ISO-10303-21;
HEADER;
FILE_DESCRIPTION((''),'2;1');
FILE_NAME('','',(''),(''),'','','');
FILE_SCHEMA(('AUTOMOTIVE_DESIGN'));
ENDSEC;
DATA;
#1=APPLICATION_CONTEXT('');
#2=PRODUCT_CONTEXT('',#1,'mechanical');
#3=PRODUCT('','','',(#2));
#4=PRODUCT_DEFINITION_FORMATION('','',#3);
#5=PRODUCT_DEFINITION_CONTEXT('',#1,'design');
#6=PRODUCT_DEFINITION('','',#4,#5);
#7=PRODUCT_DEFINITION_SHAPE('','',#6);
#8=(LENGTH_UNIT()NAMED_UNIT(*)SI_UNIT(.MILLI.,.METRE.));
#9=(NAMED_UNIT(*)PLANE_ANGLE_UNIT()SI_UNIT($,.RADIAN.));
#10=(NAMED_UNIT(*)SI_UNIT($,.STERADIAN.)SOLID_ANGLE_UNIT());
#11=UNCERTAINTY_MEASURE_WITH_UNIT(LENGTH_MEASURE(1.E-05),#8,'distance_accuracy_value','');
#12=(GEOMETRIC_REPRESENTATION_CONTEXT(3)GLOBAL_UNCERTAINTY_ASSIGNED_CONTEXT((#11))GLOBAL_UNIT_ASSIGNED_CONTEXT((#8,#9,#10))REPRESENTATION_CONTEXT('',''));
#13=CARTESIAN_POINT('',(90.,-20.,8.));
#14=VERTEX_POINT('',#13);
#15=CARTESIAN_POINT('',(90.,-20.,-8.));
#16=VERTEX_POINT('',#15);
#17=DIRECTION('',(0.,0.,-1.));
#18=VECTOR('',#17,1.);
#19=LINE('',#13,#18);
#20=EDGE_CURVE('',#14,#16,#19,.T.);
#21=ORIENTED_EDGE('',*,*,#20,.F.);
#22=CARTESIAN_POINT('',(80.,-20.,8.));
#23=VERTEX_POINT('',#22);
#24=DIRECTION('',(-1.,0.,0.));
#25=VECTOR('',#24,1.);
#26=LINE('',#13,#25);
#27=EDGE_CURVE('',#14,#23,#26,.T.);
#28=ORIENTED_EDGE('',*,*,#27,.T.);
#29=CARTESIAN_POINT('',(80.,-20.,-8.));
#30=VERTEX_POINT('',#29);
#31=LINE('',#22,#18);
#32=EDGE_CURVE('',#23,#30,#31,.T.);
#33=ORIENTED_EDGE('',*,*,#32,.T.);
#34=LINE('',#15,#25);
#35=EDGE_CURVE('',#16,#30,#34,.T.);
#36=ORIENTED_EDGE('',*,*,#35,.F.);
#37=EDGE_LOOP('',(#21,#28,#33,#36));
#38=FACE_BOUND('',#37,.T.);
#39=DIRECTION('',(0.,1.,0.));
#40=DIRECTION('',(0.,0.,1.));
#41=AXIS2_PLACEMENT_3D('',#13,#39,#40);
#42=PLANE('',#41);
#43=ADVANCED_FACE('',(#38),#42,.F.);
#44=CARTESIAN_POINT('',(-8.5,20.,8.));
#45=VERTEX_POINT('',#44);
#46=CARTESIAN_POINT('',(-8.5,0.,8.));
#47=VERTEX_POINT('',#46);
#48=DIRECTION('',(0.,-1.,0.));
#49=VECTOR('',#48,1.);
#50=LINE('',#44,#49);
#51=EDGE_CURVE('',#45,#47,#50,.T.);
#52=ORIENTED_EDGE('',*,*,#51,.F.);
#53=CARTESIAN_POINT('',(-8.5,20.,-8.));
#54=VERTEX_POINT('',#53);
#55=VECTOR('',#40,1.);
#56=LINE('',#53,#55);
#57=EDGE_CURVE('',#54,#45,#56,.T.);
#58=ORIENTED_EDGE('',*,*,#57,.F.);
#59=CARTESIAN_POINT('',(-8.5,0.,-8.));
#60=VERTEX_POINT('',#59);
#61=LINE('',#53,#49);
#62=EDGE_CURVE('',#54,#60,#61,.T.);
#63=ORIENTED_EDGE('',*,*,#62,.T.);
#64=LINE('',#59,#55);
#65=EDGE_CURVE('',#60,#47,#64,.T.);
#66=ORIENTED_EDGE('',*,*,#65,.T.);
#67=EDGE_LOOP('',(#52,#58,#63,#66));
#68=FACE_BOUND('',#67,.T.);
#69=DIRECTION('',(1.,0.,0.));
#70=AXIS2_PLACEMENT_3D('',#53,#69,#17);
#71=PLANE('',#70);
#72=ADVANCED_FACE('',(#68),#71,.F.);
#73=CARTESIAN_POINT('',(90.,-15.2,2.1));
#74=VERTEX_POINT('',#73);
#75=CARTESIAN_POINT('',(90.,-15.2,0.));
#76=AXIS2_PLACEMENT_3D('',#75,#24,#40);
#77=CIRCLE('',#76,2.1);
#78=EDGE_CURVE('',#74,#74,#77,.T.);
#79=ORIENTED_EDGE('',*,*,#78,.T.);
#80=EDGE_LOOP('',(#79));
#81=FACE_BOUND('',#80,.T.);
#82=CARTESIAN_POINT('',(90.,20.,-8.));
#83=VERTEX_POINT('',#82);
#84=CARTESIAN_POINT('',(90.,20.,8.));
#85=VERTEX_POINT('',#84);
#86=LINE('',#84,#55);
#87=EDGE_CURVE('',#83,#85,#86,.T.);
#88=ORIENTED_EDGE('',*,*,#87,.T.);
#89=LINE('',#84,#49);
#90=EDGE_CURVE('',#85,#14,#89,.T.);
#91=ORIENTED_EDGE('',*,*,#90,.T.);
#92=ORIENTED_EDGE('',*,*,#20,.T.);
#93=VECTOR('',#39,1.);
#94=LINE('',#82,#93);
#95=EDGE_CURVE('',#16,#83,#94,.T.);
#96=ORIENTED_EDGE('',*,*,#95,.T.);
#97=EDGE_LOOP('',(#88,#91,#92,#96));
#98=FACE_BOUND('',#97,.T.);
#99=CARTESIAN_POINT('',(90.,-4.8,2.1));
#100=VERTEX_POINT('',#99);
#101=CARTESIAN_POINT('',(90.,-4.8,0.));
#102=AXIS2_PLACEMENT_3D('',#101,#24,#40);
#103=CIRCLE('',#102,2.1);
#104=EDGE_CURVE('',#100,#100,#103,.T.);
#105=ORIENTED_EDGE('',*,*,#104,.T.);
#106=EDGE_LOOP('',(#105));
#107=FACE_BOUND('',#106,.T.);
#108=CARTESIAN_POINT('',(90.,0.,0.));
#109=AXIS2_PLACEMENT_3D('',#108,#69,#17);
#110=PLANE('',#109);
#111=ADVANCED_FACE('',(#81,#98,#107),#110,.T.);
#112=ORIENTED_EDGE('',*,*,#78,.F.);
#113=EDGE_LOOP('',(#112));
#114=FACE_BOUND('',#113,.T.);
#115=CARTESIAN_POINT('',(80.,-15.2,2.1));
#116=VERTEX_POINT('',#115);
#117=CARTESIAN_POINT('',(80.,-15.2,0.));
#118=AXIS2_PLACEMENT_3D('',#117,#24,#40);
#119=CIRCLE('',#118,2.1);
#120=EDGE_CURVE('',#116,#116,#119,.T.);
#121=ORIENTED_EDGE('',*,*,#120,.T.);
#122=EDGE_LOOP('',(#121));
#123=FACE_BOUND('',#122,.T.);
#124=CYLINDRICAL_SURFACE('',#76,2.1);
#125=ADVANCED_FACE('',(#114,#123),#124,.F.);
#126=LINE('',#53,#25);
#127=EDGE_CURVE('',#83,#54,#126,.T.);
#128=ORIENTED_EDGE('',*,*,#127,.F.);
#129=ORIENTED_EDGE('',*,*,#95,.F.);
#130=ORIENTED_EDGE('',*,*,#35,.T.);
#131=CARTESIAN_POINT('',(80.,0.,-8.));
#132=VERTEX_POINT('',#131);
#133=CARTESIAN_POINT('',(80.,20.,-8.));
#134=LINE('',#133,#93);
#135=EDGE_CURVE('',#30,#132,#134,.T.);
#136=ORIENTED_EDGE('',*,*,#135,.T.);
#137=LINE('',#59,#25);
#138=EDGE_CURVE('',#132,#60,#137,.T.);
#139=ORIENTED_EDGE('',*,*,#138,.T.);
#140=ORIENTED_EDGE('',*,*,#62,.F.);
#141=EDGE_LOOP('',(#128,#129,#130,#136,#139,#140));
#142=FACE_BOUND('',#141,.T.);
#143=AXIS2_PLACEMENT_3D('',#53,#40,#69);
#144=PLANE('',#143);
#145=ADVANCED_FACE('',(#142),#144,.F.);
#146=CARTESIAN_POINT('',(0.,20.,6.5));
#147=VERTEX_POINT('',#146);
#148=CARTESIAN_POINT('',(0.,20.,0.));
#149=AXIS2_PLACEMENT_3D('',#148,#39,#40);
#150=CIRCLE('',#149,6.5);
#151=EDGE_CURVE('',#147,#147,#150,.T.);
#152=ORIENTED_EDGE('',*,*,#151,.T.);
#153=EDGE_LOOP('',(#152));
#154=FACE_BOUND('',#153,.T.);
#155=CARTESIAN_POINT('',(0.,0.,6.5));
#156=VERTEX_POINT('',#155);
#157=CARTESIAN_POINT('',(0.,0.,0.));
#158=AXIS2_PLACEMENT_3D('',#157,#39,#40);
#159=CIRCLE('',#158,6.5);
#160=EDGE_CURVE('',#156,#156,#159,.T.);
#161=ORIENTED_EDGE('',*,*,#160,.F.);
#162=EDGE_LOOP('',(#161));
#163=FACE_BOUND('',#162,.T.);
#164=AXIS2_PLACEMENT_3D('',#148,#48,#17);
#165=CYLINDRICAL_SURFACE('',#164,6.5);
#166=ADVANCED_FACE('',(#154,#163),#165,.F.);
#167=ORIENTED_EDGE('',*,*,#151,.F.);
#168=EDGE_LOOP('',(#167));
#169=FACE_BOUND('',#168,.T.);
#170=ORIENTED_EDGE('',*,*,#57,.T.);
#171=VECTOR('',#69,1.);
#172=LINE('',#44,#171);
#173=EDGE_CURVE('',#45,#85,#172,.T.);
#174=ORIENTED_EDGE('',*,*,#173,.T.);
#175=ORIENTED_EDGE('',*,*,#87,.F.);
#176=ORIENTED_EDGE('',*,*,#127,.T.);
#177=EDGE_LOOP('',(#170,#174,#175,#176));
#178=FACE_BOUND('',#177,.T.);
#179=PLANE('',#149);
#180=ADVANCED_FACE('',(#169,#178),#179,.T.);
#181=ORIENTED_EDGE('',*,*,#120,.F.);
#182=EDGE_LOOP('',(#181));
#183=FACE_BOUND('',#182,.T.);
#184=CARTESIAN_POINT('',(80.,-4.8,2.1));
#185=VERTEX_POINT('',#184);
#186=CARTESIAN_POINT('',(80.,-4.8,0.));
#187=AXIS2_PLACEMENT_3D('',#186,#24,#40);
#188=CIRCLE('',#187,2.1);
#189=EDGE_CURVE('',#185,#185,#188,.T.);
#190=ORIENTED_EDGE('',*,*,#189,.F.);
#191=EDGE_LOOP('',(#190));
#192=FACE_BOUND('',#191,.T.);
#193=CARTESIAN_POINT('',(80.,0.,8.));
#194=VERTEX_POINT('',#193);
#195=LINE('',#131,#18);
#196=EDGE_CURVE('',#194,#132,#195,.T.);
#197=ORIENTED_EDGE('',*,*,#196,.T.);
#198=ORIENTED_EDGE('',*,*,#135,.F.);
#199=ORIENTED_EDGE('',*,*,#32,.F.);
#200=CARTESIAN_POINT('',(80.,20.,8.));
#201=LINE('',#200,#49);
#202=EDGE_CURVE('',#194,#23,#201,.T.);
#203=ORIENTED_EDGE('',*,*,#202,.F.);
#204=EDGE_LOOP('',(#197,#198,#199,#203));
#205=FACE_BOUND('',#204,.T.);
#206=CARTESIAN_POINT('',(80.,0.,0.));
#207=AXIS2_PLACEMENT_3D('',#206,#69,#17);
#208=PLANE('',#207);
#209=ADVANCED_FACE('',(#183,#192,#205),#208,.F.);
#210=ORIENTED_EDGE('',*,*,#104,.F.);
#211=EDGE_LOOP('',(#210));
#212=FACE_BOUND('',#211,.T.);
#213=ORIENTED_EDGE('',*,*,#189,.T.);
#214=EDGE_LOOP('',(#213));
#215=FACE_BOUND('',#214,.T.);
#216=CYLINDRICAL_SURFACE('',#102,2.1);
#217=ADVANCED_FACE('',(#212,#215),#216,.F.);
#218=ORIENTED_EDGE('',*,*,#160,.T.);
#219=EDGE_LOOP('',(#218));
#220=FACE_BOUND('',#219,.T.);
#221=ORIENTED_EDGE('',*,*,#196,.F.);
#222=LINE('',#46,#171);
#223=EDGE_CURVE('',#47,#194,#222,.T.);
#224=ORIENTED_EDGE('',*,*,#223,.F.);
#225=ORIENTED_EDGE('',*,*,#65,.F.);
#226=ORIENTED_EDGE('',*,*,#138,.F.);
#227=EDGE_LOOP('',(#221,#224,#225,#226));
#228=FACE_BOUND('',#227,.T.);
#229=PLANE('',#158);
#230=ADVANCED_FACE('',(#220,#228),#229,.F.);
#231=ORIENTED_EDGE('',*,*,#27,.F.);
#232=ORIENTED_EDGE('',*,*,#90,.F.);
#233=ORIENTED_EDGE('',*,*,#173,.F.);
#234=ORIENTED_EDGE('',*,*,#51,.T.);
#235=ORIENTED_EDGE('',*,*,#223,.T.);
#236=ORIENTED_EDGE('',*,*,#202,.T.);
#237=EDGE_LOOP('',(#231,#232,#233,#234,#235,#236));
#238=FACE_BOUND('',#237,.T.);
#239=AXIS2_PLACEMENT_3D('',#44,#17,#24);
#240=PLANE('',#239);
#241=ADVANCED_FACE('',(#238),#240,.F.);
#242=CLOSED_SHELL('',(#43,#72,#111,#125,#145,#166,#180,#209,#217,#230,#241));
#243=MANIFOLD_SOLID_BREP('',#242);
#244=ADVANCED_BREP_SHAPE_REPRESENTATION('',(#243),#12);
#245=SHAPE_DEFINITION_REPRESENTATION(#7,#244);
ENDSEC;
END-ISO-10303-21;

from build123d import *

# Parameters (mm, degrees)
SKETCH_1_W          = 88.5
SKETCH_1_H          = 16
SKETCH_1_R          = 6.5
EXTRUDE_1_DEPTH     = 20
SKETCH_2_W          = 16
SKETCH_2_H          = 40
EXTRUDE_2_DEPTH     = 10
SKETCH_3_R          = 2.1
CUT_EXTRUDE_1_DEPTH = 10


with BuildPart() as part:
    # 草图1 → 凸台-拉伸1 (new body)
    with BuildSketch(Plane(origin=(0, 0, 0), x_dir=(1, 0, 0), z_dir=(0, 1, 0))):
        with Locations((35.75, 0)):
            Rectangle(SKETCH_1_W, SKETCH_1_H)
        Circle(SKETCH_1_R, mode=Mode.SUBTRACT)
    extrude(amount=EXTRUDE_1_DEPTH)

    # 草图2 → 凸台-拉伸2 (add)
    with BuildSketch(Plane(origin=(80, 0, 0), x_dir=(0, 0, -1), z_dir=(1, 0, 0))):
        Rectangle(SKETCH_2_W, SKETCH_2_H)
    extrude(amount=EXTRUDE_2_DEPTH)

    # 草图3 → 切除-拉伸1 (cut)
    with BuildSketch(Plane.ZY.offset(-80)):
        with Locations((0, -4.8)):
            Circle(SKETCH_3_R)
        with Locations((0, -15.2)):
            Circle(SKETCH_3_R)
    extrude(amount=-CUT_EXTRUDE_1_DEPTH, mode=Mode.SUBTRACT)


solid = part.part
